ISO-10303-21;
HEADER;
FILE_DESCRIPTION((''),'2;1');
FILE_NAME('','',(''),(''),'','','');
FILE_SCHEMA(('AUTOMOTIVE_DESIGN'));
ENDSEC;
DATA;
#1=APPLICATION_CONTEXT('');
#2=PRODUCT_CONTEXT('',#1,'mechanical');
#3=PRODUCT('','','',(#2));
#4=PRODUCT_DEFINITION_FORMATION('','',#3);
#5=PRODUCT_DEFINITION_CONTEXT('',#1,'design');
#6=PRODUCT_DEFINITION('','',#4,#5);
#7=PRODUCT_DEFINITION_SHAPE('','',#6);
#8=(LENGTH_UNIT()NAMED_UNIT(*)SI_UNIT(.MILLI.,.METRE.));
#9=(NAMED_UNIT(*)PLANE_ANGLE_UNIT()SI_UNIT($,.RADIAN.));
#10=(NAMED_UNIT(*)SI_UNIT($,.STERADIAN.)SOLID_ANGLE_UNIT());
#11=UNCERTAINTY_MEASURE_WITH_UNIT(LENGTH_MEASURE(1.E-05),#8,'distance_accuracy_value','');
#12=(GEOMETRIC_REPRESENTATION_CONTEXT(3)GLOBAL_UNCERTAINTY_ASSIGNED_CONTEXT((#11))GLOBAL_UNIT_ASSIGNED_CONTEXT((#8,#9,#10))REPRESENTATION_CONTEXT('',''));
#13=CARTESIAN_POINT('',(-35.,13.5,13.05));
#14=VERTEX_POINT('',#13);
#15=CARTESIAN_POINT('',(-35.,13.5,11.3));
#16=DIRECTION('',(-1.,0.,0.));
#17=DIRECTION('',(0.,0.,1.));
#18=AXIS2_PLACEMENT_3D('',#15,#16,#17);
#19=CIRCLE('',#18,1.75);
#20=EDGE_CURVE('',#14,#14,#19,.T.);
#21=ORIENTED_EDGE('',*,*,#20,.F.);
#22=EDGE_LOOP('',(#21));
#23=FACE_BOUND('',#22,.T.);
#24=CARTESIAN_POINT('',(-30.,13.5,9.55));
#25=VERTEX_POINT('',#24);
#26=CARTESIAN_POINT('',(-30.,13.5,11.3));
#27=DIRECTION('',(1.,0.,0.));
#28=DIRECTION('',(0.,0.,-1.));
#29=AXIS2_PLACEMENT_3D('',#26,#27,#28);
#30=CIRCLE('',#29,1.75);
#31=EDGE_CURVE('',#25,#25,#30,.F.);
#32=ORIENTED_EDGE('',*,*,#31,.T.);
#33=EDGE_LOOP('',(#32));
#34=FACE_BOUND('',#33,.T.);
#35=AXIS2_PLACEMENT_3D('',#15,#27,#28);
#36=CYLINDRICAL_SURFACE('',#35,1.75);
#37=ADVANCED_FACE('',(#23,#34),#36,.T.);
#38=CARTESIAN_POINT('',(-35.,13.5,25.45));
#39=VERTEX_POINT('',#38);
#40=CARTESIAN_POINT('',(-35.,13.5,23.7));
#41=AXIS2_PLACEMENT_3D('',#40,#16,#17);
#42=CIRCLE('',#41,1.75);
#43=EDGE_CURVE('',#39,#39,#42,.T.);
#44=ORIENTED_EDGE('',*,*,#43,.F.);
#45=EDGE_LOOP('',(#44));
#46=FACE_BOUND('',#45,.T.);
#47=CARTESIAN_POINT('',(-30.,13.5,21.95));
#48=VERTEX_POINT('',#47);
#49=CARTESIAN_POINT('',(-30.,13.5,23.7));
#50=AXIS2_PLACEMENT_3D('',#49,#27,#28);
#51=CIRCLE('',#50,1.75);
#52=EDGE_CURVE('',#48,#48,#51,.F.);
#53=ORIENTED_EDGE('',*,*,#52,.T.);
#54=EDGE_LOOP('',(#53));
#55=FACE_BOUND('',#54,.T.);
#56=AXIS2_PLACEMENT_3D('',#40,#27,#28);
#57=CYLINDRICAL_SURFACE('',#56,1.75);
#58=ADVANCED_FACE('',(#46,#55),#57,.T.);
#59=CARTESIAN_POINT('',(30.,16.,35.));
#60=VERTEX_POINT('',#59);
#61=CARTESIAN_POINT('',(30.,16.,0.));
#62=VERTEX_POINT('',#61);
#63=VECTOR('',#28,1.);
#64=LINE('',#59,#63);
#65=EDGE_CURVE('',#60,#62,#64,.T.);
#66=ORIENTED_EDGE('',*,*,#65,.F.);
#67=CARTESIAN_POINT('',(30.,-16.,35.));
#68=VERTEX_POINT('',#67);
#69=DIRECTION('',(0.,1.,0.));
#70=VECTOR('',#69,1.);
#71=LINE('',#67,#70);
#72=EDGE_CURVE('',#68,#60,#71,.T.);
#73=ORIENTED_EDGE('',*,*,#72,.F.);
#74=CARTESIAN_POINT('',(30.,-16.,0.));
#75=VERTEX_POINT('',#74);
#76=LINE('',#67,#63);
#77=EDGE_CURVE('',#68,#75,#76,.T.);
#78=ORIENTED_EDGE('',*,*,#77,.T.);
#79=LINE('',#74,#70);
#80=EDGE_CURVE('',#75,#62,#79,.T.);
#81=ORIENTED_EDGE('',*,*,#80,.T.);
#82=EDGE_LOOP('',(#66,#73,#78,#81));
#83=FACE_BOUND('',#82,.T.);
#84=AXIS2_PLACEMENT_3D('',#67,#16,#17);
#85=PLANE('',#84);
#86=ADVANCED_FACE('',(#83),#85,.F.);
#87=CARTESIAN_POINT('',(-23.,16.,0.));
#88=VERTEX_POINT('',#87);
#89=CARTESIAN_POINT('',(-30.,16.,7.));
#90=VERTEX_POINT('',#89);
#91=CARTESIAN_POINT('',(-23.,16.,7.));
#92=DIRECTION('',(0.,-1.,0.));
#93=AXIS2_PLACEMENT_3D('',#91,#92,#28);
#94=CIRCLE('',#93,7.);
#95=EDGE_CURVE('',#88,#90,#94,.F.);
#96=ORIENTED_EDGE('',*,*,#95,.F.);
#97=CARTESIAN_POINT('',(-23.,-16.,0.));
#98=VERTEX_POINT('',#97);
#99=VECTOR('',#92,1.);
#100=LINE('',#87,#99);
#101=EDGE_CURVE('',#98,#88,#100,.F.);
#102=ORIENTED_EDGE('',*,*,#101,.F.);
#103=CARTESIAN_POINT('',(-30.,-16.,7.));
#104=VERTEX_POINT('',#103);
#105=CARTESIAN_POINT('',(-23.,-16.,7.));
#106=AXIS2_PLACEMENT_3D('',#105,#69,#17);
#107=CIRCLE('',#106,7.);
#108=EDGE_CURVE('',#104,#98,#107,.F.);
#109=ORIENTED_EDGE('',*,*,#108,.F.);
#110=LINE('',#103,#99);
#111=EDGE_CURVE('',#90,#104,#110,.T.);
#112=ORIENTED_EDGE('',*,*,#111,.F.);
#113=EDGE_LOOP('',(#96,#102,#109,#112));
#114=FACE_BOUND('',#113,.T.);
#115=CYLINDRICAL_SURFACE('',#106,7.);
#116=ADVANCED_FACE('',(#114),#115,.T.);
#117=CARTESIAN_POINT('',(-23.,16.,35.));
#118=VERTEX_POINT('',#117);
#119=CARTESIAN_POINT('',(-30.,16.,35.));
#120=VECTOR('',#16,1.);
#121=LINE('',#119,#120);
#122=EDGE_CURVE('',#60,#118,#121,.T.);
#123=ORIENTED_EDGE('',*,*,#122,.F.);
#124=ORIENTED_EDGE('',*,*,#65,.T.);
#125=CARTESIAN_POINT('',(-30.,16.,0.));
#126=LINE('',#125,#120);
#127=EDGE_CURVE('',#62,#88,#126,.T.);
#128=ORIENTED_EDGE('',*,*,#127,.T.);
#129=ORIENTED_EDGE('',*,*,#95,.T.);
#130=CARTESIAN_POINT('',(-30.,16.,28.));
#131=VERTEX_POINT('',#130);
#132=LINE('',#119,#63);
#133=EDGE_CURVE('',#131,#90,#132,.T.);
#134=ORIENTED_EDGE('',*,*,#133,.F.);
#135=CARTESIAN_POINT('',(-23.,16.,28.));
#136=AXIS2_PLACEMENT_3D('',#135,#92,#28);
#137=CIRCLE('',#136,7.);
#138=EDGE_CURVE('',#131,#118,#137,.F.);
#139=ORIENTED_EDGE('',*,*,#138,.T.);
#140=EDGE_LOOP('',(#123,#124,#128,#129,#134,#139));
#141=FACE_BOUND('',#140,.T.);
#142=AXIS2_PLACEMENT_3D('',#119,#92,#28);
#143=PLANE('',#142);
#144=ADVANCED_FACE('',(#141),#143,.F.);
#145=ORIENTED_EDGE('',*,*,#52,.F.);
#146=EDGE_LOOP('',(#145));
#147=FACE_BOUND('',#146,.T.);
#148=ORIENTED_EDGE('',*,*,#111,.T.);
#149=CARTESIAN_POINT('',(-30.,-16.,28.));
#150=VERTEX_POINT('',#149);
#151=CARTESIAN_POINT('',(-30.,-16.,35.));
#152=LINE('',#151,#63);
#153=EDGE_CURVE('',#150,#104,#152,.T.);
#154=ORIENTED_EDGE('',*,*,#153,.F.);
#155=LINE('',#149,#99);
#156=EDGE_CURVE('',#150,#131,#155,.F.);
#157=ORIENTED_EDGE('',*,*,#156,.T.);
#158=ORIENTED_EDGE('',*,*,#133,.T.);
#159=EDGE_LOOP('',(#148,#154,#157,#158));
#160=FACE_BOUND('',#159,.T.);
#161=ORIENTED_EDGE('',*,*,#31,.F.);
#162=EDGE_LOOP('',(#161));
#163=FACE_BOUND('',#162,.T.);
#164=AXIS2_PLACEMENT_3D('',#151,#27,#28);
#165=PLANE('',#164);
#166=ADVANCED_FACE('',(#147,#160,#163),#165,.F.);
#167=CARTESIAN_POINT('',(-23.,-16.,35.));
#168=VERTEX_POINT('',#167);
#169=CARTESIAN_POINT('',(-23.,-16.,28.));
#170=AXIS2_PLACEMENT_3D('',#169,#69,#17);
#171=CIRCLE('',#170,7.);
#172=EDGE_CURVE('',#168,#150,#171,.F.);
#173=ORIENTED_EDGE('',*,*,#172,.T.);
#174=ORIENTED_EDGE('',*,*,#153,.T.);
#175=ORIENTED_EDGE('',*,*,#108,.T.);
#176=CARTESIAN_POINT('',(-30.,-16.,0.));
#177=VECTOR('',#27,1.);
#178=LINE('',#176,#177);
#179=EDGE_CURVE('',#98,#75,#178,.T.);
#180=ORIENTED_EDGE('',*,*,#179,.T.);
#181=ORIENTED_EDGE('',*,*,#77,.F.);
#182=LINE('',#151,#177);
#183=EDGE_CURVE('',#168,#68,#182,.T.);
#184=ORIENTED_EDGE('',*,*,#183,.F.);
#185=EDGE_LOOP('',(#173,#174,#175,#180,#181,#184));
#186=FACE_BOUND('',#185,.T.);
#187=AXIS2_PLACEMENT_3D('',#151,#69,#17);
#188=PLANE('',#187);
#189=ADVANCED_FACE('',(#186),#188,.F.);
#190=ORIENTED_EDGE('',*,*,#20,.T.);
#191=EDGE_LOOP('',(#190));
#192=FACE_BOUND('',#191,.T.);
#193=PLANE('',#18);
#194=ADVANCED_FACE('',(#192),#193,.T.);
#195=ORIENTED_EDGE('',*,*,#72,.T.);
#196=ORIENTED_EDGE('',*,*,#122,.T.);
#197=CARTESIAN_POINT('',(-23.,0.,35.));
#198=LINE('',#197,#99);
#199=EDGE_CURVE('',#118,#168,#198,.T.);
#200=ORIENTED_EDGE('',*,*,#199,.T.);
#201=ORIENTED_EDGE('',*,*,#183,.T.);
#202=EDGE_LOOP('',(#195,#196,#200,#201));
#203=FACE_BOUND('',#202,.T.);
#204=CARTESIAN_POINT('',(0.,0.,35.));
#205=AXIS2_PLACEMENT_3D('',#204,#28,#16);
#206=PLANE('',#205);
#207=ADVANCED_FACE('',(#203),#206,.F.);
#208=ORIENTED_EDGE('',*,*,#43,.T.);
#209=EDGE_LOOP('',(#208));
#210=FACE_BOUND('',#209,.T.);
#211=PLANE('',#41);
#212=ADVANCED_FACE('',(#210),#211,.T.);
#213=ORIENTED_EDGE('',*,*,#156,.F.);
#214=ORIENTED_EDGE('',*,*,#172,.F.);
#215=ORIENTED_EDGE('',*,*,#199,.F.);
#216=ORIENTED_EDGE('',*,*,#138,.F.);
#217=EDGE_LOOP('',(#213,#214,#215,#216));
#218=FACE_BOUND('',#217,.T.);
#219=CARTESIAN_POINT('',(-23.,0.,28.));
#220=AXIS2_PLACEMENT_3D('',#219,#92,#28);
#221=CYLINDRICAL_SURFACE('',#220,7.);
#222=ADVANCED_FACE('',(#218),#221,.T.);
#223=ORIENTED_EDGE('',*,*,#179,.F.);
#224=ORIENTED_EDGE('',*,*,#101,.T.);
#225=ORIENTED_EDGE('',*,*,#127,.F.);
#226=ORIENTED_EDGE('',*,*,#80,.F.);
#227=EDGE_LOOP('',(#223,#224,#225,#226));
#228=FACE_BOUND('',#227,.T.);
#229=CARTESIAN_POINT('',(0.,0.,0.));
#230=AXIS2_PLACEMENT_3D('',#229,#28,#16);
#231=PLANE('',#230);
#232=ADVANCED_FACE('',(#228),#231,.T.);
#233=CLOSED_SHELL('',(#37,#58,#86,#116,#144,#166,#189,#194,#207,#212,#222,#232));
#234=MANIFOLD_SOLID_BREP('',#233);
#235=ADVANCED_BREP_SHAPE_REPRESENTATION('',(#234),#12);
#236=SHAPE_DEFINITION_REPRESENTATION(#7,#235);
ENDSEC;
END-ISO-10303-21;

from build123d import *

# Parameters (mm, degrees)
SKETCH1_W           = 60
SKETCH1_H           = 32
BOSS_EXTRUDE1_DEPTH = 35
FILLET1_R           = 7
SKETCH3_R           = 1.75
BOSS_EXTRUDE3_DEPTH = 5


with BuildPart() as part:
    # Sketch1 → Boss-Extrude1 (new body)
    with BuildSketch(Plane.XY):
        Rectangle(SKETCH1_W, SKETCH1_H)
    extrude(amount=BOSS_EXTRUDE1_DEPTH)

    # Fillet1
    fillet1_edges = [part.edges().sort_by_distance(p)[0] for p in [
        (-30, 0, 35),
        (-30, 0, 0),
    ]]
    fillet(fillet1_edges, radius=FILLET1_R)

    # Sketch3 → Boss-Extrude3 (add)
    with BuildSketch(Plane(origin=(-30, 46, 0), x_dir=(0, 1, 0), z_dir=(-1, 0, 0))):
        with Locations(Location((-32.5, -11.3, 0), (0, 0, 90))):
            Circle(SKETCH3_R)
        with Locations(Location((-32.5, -23.7, 0), (0, 0, 90))):
            Circle(SKETCH3_R)
    extrude(amount=BOSS_EXTRUDE3_DEPTH)


solid = part.part
